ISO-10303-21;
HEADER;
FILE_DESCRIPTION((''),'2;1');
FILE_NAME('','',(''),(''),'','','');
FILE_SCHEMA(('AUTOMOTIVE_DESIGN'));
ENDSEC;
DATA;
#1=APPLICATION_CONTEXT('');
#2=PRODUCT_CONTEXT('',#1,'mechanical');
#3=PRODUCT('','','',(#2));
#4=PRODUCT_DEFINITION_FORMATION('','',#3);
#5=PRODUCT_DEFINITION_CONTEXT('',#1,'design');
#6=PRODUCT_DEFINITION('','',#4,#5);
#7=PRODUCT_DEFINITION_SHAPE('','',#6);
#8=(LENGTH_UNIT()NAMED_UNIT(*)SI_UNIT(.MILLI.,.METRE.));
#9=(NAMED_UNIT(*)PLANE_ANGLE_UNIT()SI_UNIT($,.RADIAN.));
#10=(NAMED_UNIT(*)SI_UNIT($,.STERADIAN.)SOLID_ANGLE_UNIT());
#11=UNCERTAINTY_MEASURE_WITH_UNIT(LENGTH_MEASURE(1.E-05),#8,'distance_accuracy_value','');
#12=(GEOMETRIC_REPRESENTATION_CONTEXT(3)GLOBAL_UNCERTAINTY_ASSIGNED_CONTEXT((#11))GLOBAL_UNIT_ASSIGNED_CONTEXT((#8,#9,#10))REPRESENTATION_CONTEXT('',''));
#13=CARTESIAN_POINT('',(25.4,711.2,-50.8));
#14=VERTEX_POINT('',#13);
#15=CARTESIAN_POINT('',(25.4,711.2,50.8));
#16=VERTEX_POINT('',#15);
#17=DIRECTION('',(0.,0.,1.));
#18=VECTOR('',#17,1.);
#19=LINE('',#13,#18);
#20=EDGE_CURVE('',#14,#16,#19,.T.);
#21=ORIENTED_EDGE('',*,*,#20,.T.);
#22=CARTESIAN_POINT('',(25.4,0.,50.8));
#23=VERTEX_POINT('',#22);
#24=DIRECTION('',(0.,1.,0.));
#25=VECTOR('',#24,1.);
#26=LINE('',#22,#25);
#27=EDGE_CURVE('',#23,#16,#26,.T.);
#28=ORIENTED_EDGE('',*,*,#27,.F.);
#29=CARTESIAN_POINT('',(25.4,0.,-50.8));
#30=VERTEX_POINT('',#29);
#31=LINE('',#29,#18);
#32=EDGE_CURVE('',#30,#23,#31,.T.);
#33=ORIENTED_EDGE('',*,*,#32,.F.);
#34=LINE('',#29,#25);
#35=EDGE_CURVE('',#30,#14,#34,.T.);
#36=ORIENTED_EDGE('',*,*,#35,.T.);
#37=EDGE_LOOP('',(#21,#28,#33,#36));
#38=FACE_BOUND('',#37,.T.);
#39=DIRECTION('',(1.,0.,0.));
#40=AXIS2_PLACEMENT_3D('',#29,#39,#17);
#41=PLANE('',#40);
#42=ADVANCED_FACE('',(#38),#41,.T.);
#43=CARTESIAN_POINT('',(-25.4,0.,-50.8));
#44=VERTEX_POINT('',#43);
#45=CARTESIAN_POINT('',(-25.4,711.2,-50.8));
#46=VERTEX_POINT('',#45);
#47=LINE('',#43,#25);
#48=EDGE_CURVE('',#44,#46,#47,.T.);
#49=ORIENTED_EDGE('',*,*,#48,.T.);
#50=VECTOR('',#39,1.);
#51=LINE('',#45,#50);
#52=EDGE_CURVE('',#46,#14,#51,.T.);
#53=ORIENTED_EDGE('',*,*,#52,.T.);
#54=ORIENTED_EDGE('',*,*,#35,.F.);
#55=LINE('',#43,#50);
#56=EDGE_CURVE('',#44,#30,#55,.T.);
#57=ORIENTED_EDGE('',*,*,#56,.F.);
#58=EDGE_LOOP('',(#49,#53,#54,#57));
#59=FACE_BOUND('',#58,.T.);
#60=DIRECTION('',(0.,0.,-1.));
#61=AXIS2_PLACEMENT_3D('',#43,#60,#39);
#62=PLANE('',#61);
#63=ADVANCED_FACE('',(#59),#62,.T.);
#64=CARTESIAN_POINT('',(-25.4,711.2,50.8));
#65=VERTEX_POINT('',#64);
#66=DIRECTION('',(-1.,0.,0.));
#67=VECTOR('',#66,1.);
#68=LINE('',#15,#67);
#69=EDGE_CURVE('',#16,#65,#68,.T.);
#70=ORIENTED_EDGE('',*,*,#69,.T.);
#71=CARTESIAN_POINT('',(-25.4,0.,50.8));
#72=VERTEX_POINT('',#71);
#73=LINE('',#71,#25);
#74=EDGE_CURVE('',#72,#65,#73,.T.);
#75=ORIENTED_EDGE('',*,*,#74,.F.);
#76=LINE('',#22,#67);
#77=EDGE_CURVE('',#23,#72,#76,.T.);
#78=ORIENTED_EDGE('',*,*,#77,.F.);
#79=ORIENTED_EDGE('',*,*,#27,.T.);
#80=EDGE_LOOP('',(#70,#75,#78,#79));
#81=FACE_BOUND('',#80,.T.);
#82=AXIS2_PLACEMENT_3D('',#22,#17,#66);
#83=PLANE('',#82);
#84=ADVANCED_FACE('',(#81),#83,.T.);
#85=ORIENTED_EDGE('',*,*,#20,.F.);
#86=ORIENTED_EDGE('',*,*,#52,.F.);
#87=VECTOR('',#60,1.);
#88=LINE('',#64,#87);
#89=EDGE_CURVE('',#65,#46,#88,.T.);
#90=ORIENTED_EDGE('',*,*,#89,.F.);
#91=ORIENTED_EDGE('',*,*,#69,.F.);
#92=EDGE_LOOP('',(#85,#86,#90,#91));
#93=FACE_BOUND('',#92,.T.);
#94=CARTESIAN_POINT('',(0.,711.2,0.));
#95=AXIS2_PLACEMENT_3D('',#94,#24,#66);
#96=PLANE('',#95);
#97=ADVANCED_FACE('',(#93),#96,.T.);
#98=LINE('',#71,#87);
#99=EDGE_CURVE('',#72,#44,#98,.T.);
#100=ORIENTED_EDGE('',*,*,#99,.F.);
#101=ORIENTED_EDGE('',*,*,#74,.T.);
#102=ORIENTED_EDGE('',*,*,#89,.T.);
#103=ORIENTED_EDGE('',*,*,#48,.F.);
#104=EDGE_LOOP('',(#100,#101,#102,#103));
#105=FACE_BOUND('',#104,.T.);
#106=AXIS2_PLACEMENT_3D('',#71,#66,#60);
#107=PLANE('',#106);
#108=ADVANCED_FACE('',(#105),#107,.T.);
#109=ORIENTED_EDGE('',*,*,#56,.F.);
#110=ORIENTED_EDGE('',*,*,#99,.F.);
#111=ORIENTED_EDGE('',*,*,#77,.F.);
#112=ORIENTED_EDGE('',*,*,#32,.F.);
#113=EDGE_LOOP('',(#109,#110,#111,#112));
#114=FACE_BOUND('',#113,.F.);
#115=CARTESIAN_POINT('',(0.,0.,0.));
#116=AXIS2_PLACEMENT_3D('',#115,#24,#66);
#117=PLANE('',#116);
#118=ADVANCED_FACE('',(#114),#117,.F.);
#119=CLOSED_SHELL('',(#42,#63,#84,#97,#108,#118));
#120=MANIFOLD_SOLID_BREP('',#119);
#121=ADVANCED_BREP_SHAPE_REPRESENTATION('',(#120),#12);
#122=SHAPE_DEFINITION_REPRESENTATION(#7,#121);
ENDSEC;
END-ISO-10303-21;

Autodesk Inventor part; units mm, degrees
ref_plane "YZ Plane" through (0, 0, 0) normal (1, 0, 0) x (0, 1, 0)
ref_plane "XZ Plane" through (0, 0, 0) normal (0, 1, 0) x (-1, 0, 0)
ref_plane "XY Plane" through (0, 0, 0) normal (0, 0, 1) x (1, 0, 0)
sketch "Sketch1" plane through (0, 0, 0) normal (0, 1, 0) x (-1, 0, 0)
  line L0 (-25.4, 50.8) -> (25.4, 50.8)
  line L1 (25.4, 50.8) -> (25.4, -50.8)
  line L2 (25.4, -50.8) -> (-25.4, -50.8)
  line L3 (-25.4, -50.8) -> (-25.4, 50.8)
  line L4 (-25.4, 50.8) -> (25.4, -50.8) construction
  line L5 (25.4, 50.8) -> (-25.4, -50.8) construction
  point P0 (0, 0)
  dimension "d0" = 50.8
  dimension "d1" = 101.6
extrude "Extrusion1" add sketch "Sketch1" along normal blind 711.2
properties part number "2x4x28" material "Wood (Birch)"
